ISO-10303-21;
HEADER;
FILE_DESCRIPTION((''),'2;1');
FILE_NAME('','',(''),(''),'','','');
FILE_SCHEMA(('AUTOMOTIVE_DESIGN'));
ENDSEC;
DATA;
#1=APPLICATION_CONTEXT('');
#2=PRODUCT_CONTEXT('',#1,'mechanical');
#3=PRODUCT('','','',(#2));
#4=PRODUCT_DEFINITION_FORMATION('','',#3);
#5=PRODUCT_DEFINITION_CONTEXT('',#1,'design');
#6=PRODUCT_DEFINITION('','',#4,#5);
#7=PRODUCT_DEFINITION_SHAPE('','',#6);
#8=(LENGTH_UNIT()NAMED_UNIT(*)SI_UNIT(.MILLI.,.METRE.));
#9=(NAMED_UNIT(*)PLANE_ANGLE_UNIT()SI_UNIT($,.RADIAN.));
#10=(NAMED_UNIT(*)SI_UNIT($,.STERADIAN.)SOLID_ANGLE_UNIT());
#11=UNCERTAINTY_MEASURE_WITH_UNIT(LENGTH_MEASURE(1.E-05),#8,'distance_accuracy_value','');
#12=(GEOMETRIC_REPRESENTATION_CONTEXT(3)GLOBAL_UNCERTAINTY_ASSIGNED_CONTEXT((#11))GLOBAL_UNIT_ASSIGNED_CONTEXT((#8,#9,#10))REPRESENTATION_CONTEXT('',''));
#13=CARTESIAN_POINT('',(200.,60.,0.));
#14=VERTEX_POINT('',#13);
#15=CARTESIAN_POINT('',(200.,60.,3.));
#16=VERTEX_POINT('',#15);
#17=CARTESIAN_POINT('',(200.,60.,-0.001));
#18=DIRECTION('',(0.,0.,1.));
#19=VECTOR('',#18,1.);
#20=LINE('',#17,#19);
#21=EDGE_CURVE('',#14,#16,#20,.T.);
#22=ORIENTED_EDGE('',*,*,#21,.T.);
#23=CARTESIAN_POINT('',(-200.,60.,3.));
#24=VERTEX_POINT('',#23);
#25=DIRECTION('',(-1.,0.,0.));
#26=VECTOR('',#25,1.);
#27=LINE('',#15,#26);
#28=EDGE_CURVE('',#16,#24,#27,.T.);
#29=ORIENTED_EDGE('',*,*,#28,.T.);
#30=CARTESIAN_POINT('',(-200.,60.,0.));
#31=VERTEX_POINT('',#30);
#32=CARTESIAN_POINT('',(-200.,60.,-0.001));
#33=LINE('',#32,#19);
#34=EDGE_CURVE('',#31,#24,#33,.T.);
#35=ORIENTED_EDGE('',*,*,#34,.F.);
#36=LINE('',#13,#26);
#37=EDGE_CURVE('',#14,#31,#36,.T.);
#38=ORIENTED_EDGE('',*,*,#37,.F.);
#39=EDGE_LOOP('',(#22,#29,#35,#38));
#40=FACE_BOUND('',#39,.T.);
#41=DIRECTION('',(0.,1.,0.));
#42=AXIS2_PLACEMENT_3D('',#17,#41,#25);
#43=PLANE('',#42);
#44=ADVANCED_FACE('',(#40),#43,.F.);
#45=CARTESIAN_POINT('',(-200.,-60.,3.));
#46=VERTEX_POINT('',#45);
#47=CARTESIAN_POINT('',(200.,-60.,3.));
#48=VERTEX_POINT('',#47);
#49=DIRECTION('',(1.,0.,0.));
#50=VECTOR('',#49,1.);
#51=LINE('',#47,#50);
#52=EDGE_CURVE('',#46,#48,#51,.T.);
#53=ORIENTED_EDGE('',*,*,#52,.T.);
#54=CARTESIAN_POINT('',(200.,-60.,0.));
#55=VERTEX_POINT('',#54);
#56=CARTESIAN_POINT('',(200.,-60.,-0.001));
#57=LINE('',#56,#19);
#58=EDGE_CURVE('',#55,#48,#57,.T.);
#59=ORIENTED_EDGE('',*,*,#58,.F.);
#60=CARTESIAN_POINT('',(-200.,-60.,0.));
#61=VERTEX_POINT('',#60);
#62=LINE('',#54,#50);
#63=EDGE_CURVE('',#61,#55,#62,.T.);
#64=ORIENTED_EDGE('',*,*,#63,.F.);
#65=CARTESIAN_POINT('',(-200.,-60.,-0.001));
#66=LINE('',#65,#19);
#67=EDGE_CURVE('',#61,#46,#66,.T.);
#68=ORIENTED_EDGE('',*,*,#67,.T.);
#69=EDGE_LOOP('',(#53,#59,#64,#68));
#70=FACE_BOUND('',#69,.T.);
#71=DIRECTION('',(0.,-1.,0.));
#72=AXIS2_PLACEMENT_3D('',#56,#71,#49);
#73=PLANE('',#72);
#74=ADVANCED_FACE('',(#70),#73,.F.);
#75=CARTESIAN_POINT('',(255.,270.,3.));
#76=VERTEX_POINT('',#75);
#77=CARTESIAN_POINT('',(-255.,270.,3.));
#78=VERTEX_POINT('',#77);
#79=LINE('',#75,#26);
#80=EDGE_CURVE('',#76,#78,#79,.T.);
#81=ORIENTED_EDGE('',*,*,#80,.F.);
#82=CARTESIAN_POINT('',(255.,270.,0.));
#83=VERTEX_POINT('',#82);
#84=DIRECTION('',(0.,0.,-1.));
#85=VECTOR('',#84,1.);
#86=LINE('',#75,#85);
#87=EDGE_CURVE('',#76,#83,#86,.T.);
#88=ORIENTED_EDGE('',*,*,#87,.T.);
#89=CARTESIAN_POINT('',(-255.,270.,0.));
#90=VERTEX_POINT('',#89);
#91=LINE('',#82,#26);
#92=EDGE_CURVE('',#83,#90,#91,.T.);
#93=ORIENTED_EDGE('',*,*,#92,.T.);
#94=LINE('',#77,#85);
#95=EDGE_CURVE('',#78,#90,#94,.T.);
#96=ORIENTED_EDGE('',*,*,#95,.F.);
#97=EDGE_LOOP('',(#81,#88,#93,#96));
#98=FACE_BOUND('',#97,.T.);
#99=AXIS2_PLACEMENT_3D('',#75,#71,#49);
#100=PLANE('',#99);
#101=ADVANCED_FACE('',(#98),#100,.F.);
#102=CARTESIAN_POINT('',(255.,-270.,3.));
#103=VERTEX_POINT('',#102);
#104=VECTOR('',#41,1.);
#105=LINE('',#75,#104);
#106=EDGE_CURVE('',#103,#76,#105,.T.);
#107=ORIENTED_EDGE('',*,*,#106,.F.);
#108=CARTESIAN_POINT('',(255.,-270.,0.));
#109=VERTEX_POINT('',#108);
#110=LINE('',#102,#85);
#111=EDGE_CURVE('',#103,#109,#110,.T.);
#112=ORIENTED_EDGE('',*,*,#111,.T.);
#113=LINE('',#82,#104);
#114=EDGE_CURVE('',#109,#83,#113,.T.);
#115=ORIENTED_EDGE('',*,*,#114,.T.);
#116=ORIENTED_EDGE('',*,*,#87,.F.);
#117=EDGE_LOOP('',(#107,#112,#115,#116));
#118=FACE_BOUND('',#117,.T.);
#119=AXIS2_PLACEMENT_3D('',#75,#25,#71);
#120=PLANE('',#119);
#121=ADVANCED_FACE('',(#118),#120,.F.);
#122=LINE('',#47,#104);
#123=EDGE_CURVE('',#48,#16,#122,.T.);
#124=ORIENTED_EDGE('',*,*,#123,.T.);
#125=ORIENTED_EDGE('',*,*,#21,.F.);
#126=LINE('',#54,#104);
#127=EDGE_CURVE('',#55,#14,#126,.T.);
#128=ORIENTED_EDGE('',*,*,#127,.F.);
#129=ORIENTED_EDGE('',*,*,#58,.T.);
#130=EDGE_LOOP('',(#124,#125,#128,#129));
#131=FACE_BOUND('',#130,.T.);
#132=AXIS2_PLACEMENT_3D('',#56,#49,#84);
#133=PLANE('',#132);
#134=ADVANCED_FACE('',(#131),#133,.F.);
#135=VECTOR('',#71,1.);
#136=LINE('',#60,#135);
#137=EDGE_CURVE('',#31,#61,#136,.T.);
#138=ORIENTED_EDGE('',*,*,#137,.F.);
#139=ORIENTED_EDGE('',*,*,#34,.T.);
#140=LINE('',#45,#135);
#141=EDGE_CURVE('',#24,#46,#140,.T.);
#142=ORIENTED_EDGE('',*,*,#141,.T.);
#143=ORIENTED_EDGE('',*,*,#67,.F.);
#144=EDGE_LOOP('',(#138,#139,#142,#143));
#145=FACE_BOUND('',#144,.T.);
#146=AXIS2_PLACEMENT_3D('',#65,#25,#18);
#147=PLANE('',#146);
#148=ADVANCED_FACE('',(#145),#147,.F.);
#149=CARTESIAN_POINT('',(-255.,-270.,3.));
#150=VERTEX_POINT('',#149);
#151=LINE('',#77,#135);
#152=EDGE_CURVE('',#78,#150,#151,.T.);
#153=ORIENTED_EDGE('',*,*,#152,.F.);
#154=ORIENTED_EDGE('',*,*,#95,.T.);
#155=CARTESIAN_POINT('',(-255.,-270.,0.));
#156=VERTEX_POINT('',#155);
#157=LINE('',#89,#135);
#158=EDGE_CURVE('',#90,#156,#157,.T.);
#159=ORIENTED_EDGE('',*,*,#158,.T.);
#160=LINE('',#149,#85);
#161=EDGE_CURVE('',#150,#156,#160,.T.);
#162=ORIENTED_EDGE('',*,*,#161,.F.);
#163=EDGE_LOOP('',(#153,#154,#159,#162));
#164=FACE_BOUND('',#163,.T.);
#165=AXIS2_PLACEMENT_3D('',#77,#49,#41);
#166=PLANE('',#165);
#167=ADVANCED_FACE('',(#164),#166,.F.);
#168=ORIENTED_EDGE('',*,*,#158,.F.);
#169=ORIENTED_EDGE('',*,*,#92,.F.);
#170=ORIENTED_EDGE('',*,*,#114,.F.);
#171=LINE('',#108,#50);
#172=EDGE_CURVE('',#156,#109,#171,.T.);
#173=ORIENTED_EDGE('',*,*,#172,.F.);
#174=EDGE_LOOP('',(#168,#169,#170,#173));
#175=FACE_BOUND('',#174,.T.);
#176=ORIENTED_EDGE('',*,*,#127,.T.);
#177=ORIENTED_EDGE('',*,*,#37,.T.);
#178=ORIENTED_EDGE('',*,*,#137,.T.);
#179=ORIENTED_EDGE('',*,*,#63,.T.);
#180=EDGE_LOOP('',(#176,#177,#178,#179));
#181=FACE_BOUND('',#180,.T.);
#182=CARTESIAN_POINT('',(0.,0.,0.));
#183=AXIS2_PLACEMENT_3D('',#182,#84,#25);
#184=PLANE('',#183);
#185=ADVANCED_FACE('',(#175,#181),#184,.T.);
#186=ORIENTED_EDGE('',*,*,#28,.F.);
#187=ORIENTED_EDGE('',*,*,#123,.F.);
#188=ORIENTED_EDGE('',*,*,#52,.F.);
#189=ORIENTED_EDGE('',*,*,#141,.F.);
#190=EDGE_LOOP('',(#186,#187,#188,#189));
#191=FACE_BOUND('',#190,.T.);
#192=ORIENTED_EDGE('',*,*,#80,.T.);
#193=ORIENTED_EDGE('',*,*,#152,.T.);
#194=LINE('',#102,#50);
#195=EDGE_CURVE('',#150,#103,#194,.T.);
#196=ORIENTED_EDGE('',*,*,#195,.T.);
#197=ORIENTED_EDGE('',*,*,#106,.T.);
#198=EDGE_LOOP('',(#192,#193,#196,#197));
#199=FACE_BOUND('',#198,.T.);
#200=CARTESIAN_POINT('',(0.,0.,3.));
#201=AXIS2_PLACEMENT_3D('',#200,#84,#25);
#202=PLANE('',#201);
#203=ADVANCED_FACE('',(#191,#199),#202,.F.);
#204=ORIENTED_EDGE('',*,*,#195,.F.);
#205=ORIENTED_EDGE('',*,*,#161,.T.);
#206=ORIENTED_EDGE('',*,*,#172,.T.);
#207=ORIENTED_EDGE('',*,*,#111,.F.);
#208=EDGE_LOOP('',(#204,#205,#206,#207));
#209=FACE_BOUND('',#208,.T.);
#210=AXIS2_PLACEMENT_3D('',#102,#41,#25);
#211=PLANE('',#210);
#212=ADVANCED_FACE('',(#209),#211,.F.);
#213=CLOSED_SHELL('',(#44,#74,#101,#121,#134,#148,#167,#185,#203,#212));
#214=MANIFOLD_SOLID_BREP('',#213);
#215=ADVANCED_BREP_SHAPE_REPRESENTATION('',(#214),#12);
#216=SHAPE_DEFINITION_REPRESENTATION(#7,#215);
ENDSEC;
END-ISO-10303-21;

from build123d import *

# Parameters (mm, degrees)
SKETCH1_W           = 510
SKETCH1_H           = 540
BOSS_EXTRUDE1_DEPTH = 3
CUT_EXTRUDE2_REACH  = 373.395
SKETCH3_W           = 400
SKETCH3_H           = 120


with BuildPart() as part:
    # Sketch1 → Boss-Extrude1 (new body)
    with BuildSketch(Plane.XY):
        Rectangle(SKETCH1_W, SKETCH1_H)
    extrude(amount=BOSS_EXTRUDE1_DEPTH)

    # Sketch3 → Cut-Extrude2 (cut, up to next)
    with BuildSketch(Plane.XY.offset(3), mode=Mode.PRIVATE) as cut_extrude2_sk1:
        Rectangle(SKETCH3_W, SKETCH3_H)
    cut_extrude2_tool1 = extrude(cut_extrude2_sk1.sketch, amount=-CUT_EXTRUDE2_REACH, mode=Mode.PRIVATE) & part.part
    add(cut_extrude2_tool1.solids().sort_by_distance((0, 0, 3))[0], mode=Mode.SUBTRACT)


solid = part.part
